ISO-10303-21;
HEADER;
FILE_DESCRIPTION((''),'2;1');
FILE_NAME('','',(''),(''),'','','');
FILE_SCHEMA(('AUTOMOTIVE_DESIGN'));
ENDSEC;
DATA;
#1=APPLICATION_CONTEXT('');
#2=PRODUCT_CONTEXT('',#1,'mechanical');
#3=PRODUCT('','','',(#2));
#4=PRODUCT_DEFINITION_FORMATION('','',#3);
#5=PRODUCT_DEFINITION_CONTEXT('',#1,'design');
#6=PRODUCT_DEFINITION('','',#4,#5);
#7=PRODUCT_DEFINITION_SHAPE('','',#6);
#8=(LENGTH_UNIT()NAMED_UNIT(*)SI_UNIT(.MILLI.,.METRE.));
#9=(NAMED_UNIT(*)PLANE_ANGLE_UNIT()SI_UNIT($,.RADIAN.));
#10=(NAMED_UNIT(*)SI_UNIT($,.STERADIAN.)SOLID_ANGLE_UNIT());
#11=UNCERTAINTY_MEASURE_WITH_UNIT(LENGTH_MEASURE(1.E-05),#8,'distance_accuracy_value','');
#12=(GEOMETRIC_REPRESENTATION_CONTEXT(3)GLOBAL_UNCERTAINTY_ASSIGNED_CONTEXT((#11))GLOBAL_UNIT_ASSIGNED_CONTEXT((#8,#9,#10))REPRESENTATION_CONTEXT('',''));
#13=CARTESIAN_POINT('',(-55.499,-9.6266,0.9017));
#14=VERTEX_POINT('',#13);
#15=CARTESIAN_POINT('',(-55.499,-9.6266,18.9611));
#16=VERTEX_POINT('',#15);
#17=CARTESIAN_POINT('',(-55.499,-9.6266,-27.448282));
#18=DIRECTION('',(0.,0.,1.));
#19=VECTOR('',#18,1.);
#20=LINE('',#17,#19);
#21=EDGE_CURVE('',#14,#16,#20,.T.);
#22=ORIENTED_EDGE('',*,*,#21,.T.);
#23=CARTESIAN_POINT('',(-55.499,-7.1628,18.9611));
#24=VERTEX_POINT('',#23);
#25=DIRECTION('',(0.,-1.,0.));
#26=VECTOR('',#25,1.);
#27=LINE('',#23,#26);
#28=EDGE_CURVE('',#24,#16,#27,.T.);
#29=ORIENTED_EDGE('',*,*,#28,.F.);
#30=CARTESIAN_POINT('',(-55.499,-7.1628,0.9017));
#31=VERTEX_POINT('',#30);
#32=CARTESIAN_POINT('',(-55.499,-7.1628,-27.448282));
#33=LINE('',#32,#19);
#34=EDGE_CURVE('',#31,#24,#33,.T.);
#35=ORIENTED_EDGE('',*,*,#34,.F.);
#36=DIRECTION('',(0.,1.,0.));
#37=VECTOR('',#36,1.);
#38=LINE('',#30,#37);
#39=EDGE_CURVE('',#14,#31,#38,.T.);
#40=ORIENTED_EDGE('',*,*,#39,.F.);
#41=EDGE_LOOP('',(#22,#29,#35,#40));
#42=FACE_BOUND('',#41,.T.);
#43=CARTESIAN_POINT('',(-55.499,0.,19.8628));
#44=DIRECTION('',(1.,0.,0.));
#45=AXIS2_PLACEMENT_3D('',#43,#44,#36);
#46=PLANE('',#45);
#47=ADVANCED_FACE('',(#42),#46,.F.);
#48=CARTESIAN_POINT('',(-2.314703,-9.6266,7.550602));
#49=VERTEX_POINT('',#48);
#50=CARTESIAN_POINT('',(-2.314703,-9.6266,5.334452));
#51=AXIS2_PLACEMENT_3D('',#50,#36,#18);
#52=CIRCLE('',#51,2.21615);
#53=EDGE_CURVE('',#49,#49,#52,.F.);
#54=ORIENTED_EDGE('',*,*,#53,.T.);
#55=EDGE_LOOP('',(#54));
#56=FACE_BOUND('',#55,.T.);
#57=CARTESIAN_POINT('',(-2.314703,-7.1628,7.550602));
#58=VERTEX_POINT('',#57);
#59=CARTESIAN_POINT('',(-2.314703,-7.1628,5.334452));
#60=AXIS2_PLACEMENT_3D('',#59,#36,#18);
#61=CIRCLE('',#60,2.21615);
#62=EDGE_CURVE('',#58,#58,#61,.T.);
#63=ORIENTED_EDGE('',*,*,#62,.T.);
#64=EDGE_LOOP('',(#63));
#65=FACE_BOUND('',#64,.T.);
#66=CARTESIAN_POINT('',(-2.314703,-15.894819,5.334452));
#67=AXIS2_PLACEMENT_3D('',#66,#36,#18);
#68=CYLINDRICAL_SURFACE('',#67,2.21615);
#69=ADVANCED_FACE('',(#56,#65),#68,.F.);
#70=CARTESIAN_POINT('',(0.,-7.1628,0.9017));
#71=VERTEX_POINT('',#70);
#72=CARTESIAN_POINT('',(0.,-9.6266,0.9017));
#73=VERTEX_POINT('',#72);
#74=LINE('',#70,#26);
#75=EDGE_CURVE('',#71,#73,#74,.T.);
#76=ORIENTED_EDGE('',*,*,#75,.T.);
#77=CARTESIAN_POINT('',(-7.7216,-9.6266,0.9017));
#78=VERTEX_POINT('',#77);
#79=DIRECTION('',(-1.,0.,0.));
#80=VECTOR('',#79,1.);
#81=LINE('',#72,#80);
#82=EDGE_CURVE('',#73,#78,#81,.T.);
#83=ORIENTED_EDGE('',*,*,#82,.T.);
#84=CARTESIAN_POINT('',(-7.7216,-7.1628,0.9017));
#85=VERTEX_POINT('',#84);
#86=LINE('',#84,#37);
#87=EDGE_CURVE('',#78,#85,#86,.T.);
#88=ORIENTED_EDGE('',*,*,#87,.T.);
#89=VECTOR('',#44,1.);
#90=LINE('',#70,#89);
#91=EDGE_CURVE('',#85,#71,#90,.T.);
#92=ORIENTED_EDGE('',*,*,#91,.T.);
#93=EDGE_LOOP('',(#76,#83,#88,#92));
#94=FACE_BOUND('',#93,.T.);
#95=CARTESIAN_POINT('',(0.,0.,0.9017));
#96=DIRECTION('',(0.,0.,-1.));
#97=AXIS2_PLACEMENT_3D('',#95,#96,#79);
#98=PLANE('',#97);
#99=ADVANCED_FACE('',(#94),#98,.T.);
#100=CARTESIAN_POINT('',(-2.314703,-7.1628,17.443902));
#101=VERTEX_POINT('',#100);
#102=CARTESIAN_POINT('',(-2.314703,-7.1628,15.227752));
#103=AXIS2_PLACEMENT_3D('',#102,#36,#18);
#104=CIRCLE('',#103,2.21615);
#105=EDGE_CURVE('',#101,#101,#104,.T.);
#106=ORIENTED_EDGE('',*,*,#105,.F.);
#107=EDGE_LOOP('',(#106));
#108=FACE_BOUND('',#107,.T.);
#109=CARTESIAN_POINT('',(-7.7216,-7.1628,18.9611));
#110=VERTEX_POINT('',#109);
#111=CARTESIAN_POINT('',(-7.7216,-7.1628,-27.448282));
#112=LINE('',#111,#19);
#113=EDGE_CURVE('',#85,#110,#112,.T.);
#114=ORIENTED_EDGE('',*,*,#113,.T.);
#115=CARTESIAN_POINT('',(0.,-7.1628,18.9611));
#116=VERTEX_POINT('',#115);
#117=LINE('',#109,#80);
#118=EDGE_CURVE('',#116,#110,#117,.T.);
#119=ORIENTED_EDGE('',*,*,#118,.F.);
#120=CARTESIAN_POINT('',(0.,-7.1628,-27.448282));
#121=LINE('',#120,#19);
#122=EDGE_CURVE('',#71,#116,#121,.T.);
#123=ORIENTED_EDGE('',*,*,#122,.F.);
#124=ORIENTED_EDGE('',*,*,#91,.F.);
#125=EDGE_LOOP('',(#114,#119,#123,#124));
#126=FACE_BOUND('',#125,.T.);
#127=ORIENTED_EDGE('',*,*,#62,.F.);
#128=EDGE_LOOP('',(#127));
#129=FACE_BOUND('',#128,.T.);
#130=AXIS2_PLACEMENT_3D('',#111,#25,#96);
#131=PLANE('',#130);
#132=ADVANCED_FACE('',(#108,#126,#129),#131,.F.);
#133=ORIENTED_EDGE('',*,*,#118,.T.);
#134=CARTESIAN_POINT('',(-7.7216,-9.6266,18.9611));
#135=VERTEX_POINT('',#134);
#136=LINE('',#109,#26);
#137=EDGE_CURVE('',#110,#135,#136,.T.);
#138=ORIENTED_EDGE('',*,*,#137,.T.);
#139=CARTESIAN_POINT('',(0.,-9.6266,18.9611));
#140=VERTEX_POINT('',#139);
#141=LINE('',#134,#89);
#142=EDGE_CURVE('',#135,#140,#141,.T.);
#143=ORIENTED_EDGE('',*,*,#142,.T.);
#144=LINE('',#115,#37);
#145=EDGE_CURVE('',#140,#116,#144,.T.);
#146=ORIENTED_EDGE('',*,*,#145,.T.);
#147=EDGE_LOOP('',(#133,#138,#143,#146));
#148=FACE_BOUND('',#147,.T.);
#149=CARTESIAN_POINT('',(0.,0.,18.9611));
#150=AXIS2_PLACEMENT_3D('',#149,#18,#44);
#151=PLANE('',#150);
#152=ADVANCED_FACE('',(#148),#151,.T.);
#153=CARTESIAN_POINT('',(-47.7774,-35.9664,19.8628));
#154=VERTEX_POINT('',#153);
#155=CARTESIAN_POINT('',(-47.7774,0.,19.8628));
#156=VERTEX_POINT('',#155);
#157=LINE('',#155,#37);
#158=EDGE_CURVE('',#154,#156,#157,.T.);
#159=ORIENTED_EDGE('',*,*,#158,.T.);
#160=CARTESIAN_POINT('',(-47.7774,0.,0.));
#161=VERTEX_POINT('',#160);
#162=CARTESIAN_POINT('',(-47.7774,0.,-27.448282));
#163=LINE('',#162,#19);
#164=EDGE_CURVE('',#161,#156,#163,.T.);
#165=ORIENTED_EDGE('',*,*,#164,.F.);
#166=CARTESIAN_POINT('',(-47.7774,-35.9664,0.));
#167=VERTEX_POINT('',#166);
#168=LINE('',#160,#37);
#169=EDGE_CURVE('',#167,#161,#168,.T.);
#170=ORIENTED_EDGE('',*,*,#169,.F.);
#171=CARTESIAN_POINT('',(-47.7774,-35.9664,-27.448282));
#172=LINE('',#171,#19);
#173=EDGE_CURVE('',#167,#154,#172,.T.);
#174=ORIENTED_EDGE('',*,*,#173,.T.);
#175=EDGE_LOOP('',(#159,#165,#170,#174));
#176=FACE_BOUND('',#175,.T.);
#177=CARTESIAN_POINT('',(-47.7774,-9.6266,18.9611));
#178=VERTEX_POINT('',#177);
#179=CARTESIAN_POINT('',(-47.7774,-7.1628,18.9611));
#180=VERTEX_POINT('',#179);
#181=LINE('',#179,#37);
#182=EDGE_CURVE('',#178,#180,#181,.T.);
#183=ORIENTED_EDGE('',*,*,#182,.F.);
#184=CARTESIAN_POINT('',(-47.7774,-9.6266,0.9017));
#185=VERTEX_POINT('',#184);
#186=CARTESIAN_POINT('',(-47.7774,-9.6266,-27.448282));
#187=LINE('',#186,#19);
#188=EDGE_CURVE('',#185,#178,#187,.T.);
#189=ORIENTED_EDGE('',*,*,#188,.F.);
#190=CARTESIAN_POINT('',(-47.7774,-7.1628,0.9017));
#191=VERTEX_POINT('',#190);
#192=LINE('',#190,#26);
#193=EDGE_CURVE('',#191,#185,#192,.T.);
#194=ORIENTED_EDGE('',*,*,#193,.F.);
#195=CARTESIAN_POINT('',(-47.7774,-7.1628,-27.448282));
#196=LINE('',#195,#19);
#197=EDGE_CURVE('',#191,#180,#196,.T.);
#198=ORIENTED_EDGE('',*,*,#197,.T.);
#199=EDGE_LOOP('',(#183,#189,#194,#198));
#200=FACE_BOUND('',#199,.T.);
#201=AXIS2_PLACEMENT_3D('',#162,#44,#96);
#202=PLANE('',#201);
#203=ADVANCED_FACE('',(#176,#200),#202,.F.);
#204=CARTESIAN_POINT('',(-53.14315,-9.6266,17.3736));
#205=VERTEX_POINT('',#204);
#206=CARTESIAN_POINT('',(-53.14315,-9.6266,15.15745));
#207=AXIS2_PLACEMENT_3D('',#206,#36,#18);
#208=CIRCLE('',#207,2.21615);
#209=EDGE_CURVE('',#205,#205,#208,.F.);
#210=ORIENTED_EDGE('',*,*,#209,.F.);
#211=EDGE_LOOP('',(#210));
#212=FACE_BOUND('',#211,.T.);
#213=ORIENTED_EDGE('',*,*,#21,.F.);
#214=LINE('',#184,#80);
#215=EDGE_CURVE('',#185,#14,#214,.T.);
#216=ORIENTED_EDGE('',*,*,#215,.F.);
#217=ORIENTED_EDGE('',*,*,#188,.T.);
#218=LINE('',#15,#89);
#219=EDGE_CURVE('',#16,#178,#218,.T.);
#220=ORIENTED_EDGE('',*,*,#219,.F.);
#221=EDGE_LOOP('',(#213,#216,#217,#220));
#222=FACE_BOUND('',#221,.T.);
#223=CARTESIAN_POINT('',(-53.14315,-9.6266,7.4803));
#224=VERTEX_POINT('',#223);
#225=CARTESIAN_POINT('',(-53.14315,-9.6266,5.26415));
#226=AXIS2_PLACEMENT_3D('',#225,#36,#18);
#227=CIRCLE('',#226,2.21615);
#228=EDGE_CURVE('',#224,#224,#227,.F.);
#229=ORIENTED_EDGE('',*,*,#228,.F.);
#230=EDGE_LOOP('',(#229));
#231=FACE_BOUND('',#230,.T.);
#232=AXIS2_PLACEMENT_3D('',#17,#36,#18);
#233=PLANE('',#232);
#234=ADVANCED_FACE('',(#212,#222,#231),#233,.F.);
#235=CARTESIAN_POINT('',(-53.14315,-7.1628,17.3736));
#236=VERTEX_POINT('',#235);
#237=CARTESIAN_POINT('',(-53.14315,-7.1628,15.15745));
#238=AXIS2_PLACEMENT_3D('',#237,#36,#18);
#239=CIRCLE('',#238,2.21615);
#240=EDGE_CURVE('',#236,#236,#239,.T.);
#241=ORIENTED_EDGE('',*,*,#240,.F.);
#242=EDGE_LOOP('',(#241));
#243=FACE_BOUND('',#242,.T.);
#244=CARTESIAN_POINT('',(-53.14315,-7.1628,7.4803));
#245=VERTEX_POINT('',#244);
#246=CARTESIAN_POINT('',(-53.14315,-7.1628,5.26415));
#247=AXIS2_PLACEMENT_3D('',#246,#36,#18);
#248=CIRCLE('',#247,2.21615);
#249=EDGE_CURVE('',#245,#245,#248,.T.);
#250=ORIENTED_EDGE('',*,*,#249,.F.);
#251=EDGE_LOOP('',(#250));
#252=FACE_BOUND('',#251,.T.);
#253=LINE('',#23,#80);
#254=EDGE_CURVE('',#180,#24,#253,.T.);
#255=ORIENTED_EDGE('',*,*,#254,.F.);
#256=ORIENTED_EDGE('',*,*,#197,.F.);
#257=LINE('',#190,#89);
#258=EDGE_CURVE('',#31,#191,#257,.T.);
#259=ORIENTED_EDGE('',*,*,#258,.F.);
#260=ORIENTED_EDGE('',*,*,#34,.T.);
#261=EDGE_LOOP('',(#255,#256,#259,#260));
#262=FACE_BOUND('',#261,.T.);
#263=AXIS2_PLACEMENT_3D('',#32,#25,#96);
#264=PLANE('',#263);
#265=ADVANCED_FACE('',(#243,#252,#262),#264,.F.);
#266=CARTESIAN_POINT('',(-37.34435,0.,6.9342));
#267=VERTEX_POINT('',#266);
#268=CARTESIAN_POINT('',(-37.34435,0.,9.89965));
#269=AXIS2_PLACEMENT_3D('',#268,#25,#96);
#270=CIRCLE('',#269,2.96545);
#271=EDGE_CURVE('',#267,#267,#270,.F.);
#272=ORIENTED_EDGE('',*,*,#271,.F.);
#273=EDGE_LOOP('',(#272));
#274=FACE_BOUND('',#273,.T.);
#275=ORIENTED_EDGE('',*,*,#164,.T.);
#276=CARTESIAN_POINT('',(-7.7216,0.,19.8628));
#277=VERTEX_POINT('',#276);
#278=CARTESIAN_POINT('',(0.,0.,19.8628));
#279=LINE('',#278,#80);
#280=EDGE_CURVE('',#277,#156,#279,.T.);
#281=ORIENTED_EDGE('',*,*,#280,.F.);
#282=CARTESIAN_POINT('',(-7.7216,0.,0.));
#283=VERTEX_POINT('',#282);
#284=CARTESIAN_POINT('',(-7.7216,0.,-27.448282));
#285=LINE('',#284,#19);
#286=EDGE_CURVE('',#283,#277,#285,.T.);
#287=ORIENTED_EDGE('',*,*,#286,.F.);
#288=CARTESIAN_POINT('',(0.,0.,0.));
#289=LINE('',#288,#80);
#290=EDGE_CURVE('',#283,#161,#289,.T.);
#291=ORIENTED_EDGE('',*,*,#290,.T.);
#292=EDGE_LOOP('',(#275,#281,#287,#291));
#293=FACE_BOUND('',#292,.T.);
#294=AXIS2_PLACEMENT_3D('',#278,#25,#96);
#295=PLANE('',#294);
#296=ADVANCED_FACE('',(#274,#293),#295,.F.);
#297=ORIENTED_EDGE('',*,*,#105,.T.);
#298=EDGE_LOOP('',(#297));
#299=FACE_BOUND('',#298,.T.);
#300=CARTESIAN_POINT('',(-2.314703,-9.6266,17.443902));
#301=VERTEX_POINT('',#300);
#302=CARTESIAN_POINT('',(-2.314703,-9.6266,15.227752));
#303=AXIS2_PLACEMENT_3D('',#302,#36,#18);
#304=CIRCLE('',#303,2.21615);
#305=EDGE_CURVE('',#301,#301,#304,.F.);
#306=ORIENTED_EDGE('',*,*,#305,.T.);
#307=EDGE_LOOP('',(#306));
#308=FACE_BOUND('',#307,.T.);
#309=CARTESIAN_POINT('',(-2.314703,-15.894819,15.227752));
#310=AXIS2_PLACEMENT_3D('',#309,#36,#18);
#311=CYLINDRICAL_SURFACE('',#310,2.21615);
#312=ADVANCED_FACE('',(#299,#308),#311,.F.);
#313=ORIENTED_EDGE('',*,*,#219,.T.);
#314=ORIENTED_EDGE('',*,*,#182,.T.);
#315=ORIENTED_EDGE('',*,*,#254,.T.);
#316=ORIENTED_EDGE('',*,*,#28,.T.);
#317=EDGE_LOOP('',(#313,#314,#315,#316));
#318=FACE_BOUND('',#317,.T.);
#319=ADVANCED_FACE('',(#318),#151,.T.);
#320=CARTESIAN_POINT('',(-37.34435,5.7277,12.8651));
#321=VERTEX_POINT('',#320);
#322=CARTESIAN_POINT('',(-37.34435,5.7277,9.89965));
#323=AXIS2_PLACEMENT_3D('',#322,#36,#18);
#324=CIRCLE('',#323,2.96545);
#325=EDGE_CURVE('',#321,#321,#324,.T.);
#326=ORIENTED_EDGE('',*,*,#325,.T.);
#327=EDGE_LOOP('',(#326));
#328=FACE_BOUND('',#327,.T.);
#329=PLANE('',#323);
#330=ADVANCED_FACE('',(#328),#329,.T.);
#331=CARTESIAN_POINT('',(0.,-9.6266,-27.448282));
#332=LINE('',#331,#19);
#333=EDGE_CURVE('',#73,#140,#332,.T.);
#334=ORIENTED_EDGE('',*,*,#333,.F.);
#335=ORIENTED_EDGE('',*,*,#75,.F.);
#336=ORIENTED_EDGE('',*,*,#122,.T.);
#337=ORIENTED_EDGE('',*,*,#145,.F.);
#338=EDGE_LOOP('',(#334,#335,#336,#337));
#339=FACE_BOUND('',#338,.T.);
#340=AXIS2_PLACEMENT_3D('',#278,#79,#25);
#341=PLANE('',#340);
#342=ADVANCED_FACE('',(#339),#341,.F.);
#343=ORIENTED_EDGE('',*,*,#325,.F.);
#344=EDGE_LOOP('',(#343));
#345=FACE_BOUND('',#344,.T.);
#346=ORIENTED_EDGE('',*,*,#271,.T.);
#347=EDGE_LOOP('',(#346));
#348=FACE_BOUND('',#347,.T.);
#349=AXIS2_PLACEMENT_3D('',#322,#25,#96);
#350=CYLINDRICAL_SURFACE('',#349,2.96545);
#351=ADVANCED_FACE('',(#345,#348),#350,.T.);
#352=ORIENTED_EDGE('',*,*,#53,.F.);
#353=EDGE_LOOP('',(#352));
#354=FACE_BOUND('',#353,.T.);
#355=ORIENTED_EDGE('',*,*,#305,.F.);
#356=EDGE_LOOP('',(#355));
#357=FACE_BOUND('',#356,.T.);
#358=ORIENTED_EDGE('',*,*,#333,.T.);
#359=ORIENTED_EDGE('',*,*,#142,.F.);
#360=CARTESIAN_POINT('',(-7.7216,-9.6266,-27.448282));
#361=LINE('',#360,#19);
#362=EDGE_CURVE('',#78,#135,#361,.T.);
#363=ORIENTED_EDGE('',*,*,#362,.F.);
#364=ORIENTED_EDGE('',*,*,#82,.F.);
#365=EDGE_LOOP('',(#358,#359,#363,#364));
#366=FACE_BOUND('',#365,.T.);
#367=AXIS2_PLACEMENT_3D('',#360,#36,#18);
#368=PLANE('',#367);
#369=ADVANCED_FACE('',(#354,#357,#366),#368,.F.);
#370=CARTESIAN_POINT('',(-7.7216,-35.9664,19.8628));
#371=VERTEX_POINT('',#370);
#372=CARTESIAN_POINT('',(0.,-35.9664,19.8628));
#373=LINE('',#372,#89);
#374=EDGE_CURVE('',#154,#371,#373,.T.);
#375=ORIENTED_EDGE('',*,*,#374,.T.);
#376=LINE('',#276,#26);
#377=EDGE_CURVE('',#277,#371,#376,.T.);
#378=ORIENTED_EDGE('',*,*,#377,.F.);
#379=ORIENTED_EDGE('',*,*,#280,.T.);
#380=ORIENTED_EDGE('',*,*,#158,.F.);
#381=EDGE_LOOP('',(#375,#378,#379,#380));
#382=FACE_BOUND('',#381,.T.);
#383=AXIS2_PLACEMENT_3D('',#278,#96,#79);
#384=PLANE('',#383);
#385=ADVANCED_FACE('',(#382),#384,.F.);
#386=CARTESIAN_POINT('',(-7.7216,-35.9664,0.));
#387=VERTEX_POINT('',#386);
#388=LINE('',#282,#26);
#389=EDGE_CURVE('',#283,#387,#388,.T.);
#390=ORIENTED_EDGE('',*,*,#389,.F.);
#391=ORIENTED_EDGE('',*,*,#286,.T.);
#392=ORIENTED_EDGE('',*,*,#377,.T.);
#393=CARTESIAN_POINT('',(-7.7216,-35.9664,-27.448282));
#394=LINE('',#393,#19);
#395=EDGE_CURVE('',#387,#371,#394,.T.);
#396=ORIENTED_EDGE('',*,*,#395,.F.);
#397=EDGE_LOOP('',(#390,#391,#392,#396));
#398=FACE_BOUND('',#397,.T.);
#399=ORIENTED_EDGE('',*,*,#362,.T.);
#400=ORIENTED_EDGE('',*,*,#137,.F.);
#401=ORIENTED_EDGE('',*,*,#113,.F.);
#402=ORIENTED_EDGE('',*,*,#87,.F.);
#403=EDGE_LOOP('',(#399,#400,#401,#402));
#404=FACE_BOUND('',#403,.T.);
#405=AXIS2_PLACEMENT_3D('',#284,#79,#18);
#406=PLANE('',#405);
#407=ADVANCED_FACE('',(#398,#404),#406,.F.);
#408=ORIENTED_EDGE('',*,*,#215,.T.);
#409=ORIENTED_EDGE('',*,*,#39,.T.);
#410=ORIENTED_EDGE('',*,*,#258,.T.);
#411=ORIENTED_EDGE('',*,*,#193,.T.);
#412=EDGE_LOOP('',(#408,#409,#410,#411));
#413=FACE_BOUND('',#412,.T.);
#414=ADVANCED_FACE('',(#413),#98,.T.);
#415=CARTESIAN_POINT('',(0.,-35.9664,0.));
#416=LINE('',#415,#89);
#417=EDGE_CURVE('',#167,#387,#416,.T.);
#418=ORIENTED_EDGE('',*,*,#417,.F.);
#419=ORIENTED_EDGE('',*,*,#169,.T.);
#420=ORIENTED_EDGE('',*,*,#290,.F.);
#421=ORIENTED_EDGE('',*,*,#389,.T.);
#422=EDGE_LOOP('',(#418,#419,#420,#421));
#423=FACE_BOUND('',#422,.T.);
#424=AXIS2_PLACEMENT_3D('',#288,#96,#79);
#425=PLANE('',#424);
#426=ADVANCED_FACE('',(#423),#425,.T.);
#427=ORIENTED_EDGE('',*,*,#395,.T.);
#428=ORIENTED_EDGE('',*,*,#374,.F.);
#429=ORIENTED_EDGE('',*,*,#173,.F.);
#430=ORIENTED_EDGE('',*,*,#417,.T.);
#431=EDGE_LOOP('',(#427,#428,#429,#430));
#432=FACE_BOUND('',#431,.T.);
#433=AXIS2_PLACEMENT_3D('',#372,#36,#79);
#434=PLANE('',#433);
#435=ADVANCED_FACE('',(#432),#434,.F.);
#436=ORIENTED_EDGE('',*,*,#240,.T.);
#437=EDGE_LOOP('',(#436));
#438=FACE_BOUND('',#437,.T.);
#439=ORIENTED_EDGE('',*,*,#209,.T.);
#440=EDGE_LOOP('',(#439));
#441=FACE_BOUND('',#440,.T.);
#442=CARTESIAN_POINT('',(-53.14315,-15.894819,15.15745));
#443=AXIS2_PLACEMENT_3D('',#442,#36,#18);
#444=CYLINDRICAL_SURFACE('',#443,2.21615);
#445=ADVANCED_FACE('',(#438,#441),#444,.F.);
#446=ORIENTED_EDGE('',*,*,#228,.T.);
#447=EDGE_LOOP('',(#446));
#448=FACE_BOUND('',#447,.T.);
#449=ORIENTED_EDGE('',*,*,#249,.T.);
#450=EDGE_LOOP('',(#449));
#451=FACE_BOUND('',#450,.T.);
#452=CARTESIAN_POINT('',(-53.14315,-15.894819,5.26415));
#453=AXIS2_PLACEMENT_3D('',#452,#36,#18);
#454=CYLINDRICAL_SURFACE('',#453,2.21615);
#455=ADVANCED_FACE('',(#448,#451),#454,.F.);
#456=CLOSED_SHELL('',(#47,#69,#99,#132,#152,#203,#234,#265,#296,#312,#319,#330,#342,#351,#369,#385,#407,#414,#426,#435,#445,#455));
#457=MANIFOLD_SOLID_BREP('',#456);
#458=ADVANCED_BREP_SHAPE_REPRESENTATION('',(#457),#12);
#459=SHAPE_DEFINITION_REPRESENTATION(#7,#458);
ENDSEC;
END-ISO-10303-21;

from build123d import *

# Parameters (mm, degrees)
SKETCH1_W           = 55.499
SKETCH1_H           = 35.9664
BOSS_EXTRUDE1_DEPTH = 19.8628
SKETCH2_W           = 7.7216
SKETCH2_H           = 7.1628
SKETCH2_H_2         = 26.3398
CUT_EXTRUDE1_DEPTH  = 19.8628
SKETCH3_W           = 7.7216
SKETCH3_H           = 7.1628
SKETCH3_H_2         = 26.3398
CUT_EXTRUDE2_DEPTH  = 19.8628
SKETCH4_R           = 2.21615
CUT_EXTRUDE3_DEPTH  = 2.4638
SKETCH5_W           = 7.7216
SKETCH5_H           = 2.4638
CUT_EXTRUDE4_DEPTH  = 0.9017
SKETCH6_W           = 7.7216
SKETCH6_H           = 2.4638
CUT_EXTRUDE5_DEPTH  = 0.9017
SKETCH7_W           = 7.7216
SKETCH7_H           = 2.4638
CUT_EXTRUDE6_DEPTH  = 0.9017
SKETCH8_W           = 7.7216
SKETCH8_H           = 2.4638
CUT_EXTRUDE7_DEPTH  = 0.9017
SKETCH9_R           = 2.96545
BOSS_EXTRUDE2_DEPTH = 5.7277


with BuildPart() as part:
    # Sketch1 → Boss-Extrude1 (new body)
    with BuildSketch(Plane.XY):
        with Locations((-27.7495, -17.9832)):
            Rectangle(SKETCH1_W, SKETCH1_H)
    extrude(amount=BOSS_EXTRUDE1_DEPTH)

    # Sketch2 → Cut-Extrude1 (cut)
    with BuildSketch(Plane.XY.offset(19.8628)):
        with Locations((-51.6382, -3.5814)):
            Rectangle(SKETCH2_W, SKETCH2_H)
        with Locations((-51.6382, -22.7965)):
            Rectangle(SKETCH2_W, SKETCH2_H_2)
    extrude(amount=-CUT_EXTRUDE1_DEPTH, mode=Mode.SUBTRACT)

    # Sketch3 → Cut-Extrude2 (cut)
    with BuildSketch(Plane.XY.offset(19.8628)):
        with Locations((-3.8608, -3.5814)):
            Rectangle(SKETCH3_W, SKETCH3_H)
        with Locations((-3.8608, -22.7965)):
            Rectangle(SKETCH3_W, SKETCH3_H_2)
    extrude(amount=-CUT_EXTRUDE2_DEPTH, mode=Mode.SUBTRACT)

    # Sketch4 → Cut-Extrude3 (cut)
    with BuildSketch(Plane(origin=(0, -7.1628, 0), x_dir=(1, 0, 0), z_dir=(0, 1, 0))):
        with Locations((-53.14315, -5.26415)):
            Circle(SKETCH4_R)
        with Locations((-53.14315, -15.15745)):
            Circle(SKETCH4_R)
        with Locations((-2.314703143, -5.334451514)):
            Circle(SKETCH4_R)
        with Locations((-2.314703143, -15.227751514)):
            Circle(SKETCH4_R)
    extrude(amount=-CUT_EXTRUDE3_DEPTH, mode=Mode.SUBTRACT)

    # Sketch5 → Cut-Extrude4 (cut)
    with BuildSketch(Plane.XY.offset(19.8628)):
        with Locations((-51.6382, -8.3947)):
            Rectangle(SKETCH5_W, SKETCH5_H)
    extrude(amount=-CUT_EXTRUDE4_DEPTH, mode=Mode.SUBTRACT)

    # Sketch6 → Cut-Extrude5 (cut)
    with BuildSketch(Plane(origin=(0, 0, 0), x_dir=(-1, 0, 0), z_dir=(0, 0, -1))):
        with Locations((51.6382, -8.3947)):
            Rectangle(SKETCH6_W, SKETCH6_H)
    extrude(amount=-CUT_EXTRUDE5_DEPTH, mode=Mode.SUBTRACT)

    # Sketch7 → Cut-Extrude6 (cut)
    with BuildSketch(Plane(origin=(0, 0, 0), x_dir=(-1, 0, 0), z_dir=(0, 0, -1))):
        with Locations((3.8608, -8.3947)):
            Rectangle(SKETCH7_W, SKETCH7_H)
    extrude(amount=-CUT_EXTRUDE6_DEPTH, mode=Mode.SUBTRACT)

    # Sketch8 → Cut-Extrude7 (cut)
    with BuildSketch(Plane.XY.offset(19.8628)):
        with Locations((-3.8608, -8.3947)):
            Rectangle(SKETCH8_W, SKETCH8_H)
    extrude(amount=-CUT_EXTRUDE7_DEPTH, mode=Mode.SUBTRACT)

    # Sketch9 → Boss-Extrude2 (add)
    with BuildSketch(Plane(origin=(0, 0, 0), x_dir=(1, 0, 0), z_dir=(0, 1, 0))):
        with Locations((-37.34435, -9.89965)):
            Circle(SKETCH9_R)
    extrude(amount=BOSS_EXTRUDE2_DEPTH)


solid = part.part
